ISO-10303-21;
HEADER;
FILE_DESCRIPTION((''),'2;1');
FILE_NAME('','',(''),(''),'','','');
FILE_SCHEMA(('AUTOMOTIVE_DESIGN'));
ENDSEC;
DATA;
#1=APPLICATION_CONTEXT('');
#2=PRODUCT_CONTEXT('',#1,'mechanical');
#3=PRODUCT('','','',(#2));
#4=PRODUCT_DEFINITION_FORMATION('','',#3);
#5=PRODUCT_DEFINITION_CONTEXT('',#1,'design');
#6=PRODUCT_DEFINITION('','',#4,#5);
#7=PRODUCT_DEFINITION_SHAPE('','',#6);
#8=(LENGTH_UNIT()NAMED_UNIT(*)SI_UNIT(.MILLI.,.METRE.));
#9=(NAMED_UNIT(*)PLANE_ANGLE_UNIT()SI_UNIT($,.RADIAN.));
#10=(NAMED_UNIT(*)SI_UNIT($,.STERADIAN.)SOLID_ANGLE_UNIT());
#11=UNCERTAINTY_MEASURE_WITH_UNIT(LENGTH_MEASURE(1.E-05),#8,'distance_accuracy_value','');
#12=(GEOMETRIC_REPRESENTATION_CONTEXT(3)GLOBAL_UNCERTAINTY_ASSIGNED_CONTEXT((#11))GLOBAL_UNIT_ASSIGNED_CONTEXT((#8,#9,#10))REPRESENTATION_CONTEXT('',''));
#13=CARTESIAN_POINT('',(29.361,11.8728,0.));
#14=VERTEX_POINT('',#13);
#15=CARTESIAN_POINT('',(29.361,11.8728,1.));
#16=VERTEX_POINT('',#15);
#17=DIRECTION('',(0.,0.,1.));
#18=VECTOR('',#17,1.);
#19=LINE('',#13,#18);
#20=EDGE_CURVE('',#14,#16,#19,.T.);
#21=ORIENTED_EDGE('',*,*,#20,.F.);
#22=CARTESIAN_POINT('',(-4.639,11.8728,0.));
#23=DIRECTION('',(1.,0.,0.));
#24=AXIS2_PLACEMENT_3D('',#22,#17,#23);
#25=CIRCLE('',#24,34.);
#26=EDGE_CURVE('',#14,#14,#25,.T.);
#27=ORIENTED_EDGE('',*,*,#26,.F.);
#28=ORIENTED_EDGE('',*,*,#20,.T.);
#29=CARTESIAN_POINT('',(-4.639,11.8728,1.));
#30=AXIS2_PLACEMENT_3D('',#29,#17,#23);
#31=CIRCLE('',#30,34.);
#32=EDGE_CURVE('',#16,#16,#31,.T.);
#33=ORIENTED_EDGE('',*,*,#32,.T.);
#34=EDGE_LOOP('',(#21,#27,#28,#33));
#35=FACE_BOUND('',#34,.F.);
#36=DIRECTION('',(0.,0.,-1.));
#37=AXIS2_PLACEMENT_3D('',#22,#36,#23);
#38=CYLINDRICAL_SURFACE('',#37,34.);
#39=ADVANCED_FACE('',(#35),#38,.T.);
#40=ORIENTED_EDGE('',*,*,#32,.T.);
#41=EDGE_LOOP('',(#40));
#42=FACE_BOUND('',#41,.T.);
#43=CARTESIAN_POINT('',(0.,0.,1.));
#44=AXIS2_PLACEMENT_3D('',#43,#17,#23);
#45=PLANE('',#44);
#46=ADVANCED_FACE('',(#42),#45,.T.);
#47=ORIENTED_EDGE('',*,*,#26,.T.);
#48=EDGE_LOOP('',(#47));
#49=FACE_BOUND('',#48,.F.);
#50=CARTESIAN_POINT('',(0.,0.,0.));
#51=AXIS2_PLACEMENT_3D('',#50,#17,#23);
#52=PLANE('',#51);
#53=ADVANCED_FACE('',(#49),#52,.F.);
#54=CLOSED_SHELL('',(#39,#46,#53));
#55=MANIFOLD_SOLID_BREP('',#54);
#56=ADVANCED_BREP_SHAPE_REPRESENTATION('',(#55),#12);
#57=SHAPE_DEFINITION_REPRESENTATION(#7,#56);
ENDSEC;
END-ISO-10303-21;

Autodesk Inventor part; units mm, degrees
ref_plane "YZ Plane" through (0, 0, 0) normal (1, 0, 0) x (0, 1, 0)
ref_plane "XZ Plane" through (0, 0, 0) normal (0, 1, 0) x (-1, 0, 0)
ref_plane "XY Plane" through (0, 0, 0) normal (0, 0, 1) x (1, 0, 0)
sketch "Sketch1" plane through (0, 0, 0) normal (0, 0, 1) x (1, 0, 0)
  circle A0 centre (-4.639, 11.8728) radius 34
  point P0 (0, 0)
  dimension "d0" = 68
  dimension "d0" = 68
extrude "Extrusion1" add sketch "Sketch1" along normal blind 1
properties part number "pcb" material "PC/ABS Plastic"
